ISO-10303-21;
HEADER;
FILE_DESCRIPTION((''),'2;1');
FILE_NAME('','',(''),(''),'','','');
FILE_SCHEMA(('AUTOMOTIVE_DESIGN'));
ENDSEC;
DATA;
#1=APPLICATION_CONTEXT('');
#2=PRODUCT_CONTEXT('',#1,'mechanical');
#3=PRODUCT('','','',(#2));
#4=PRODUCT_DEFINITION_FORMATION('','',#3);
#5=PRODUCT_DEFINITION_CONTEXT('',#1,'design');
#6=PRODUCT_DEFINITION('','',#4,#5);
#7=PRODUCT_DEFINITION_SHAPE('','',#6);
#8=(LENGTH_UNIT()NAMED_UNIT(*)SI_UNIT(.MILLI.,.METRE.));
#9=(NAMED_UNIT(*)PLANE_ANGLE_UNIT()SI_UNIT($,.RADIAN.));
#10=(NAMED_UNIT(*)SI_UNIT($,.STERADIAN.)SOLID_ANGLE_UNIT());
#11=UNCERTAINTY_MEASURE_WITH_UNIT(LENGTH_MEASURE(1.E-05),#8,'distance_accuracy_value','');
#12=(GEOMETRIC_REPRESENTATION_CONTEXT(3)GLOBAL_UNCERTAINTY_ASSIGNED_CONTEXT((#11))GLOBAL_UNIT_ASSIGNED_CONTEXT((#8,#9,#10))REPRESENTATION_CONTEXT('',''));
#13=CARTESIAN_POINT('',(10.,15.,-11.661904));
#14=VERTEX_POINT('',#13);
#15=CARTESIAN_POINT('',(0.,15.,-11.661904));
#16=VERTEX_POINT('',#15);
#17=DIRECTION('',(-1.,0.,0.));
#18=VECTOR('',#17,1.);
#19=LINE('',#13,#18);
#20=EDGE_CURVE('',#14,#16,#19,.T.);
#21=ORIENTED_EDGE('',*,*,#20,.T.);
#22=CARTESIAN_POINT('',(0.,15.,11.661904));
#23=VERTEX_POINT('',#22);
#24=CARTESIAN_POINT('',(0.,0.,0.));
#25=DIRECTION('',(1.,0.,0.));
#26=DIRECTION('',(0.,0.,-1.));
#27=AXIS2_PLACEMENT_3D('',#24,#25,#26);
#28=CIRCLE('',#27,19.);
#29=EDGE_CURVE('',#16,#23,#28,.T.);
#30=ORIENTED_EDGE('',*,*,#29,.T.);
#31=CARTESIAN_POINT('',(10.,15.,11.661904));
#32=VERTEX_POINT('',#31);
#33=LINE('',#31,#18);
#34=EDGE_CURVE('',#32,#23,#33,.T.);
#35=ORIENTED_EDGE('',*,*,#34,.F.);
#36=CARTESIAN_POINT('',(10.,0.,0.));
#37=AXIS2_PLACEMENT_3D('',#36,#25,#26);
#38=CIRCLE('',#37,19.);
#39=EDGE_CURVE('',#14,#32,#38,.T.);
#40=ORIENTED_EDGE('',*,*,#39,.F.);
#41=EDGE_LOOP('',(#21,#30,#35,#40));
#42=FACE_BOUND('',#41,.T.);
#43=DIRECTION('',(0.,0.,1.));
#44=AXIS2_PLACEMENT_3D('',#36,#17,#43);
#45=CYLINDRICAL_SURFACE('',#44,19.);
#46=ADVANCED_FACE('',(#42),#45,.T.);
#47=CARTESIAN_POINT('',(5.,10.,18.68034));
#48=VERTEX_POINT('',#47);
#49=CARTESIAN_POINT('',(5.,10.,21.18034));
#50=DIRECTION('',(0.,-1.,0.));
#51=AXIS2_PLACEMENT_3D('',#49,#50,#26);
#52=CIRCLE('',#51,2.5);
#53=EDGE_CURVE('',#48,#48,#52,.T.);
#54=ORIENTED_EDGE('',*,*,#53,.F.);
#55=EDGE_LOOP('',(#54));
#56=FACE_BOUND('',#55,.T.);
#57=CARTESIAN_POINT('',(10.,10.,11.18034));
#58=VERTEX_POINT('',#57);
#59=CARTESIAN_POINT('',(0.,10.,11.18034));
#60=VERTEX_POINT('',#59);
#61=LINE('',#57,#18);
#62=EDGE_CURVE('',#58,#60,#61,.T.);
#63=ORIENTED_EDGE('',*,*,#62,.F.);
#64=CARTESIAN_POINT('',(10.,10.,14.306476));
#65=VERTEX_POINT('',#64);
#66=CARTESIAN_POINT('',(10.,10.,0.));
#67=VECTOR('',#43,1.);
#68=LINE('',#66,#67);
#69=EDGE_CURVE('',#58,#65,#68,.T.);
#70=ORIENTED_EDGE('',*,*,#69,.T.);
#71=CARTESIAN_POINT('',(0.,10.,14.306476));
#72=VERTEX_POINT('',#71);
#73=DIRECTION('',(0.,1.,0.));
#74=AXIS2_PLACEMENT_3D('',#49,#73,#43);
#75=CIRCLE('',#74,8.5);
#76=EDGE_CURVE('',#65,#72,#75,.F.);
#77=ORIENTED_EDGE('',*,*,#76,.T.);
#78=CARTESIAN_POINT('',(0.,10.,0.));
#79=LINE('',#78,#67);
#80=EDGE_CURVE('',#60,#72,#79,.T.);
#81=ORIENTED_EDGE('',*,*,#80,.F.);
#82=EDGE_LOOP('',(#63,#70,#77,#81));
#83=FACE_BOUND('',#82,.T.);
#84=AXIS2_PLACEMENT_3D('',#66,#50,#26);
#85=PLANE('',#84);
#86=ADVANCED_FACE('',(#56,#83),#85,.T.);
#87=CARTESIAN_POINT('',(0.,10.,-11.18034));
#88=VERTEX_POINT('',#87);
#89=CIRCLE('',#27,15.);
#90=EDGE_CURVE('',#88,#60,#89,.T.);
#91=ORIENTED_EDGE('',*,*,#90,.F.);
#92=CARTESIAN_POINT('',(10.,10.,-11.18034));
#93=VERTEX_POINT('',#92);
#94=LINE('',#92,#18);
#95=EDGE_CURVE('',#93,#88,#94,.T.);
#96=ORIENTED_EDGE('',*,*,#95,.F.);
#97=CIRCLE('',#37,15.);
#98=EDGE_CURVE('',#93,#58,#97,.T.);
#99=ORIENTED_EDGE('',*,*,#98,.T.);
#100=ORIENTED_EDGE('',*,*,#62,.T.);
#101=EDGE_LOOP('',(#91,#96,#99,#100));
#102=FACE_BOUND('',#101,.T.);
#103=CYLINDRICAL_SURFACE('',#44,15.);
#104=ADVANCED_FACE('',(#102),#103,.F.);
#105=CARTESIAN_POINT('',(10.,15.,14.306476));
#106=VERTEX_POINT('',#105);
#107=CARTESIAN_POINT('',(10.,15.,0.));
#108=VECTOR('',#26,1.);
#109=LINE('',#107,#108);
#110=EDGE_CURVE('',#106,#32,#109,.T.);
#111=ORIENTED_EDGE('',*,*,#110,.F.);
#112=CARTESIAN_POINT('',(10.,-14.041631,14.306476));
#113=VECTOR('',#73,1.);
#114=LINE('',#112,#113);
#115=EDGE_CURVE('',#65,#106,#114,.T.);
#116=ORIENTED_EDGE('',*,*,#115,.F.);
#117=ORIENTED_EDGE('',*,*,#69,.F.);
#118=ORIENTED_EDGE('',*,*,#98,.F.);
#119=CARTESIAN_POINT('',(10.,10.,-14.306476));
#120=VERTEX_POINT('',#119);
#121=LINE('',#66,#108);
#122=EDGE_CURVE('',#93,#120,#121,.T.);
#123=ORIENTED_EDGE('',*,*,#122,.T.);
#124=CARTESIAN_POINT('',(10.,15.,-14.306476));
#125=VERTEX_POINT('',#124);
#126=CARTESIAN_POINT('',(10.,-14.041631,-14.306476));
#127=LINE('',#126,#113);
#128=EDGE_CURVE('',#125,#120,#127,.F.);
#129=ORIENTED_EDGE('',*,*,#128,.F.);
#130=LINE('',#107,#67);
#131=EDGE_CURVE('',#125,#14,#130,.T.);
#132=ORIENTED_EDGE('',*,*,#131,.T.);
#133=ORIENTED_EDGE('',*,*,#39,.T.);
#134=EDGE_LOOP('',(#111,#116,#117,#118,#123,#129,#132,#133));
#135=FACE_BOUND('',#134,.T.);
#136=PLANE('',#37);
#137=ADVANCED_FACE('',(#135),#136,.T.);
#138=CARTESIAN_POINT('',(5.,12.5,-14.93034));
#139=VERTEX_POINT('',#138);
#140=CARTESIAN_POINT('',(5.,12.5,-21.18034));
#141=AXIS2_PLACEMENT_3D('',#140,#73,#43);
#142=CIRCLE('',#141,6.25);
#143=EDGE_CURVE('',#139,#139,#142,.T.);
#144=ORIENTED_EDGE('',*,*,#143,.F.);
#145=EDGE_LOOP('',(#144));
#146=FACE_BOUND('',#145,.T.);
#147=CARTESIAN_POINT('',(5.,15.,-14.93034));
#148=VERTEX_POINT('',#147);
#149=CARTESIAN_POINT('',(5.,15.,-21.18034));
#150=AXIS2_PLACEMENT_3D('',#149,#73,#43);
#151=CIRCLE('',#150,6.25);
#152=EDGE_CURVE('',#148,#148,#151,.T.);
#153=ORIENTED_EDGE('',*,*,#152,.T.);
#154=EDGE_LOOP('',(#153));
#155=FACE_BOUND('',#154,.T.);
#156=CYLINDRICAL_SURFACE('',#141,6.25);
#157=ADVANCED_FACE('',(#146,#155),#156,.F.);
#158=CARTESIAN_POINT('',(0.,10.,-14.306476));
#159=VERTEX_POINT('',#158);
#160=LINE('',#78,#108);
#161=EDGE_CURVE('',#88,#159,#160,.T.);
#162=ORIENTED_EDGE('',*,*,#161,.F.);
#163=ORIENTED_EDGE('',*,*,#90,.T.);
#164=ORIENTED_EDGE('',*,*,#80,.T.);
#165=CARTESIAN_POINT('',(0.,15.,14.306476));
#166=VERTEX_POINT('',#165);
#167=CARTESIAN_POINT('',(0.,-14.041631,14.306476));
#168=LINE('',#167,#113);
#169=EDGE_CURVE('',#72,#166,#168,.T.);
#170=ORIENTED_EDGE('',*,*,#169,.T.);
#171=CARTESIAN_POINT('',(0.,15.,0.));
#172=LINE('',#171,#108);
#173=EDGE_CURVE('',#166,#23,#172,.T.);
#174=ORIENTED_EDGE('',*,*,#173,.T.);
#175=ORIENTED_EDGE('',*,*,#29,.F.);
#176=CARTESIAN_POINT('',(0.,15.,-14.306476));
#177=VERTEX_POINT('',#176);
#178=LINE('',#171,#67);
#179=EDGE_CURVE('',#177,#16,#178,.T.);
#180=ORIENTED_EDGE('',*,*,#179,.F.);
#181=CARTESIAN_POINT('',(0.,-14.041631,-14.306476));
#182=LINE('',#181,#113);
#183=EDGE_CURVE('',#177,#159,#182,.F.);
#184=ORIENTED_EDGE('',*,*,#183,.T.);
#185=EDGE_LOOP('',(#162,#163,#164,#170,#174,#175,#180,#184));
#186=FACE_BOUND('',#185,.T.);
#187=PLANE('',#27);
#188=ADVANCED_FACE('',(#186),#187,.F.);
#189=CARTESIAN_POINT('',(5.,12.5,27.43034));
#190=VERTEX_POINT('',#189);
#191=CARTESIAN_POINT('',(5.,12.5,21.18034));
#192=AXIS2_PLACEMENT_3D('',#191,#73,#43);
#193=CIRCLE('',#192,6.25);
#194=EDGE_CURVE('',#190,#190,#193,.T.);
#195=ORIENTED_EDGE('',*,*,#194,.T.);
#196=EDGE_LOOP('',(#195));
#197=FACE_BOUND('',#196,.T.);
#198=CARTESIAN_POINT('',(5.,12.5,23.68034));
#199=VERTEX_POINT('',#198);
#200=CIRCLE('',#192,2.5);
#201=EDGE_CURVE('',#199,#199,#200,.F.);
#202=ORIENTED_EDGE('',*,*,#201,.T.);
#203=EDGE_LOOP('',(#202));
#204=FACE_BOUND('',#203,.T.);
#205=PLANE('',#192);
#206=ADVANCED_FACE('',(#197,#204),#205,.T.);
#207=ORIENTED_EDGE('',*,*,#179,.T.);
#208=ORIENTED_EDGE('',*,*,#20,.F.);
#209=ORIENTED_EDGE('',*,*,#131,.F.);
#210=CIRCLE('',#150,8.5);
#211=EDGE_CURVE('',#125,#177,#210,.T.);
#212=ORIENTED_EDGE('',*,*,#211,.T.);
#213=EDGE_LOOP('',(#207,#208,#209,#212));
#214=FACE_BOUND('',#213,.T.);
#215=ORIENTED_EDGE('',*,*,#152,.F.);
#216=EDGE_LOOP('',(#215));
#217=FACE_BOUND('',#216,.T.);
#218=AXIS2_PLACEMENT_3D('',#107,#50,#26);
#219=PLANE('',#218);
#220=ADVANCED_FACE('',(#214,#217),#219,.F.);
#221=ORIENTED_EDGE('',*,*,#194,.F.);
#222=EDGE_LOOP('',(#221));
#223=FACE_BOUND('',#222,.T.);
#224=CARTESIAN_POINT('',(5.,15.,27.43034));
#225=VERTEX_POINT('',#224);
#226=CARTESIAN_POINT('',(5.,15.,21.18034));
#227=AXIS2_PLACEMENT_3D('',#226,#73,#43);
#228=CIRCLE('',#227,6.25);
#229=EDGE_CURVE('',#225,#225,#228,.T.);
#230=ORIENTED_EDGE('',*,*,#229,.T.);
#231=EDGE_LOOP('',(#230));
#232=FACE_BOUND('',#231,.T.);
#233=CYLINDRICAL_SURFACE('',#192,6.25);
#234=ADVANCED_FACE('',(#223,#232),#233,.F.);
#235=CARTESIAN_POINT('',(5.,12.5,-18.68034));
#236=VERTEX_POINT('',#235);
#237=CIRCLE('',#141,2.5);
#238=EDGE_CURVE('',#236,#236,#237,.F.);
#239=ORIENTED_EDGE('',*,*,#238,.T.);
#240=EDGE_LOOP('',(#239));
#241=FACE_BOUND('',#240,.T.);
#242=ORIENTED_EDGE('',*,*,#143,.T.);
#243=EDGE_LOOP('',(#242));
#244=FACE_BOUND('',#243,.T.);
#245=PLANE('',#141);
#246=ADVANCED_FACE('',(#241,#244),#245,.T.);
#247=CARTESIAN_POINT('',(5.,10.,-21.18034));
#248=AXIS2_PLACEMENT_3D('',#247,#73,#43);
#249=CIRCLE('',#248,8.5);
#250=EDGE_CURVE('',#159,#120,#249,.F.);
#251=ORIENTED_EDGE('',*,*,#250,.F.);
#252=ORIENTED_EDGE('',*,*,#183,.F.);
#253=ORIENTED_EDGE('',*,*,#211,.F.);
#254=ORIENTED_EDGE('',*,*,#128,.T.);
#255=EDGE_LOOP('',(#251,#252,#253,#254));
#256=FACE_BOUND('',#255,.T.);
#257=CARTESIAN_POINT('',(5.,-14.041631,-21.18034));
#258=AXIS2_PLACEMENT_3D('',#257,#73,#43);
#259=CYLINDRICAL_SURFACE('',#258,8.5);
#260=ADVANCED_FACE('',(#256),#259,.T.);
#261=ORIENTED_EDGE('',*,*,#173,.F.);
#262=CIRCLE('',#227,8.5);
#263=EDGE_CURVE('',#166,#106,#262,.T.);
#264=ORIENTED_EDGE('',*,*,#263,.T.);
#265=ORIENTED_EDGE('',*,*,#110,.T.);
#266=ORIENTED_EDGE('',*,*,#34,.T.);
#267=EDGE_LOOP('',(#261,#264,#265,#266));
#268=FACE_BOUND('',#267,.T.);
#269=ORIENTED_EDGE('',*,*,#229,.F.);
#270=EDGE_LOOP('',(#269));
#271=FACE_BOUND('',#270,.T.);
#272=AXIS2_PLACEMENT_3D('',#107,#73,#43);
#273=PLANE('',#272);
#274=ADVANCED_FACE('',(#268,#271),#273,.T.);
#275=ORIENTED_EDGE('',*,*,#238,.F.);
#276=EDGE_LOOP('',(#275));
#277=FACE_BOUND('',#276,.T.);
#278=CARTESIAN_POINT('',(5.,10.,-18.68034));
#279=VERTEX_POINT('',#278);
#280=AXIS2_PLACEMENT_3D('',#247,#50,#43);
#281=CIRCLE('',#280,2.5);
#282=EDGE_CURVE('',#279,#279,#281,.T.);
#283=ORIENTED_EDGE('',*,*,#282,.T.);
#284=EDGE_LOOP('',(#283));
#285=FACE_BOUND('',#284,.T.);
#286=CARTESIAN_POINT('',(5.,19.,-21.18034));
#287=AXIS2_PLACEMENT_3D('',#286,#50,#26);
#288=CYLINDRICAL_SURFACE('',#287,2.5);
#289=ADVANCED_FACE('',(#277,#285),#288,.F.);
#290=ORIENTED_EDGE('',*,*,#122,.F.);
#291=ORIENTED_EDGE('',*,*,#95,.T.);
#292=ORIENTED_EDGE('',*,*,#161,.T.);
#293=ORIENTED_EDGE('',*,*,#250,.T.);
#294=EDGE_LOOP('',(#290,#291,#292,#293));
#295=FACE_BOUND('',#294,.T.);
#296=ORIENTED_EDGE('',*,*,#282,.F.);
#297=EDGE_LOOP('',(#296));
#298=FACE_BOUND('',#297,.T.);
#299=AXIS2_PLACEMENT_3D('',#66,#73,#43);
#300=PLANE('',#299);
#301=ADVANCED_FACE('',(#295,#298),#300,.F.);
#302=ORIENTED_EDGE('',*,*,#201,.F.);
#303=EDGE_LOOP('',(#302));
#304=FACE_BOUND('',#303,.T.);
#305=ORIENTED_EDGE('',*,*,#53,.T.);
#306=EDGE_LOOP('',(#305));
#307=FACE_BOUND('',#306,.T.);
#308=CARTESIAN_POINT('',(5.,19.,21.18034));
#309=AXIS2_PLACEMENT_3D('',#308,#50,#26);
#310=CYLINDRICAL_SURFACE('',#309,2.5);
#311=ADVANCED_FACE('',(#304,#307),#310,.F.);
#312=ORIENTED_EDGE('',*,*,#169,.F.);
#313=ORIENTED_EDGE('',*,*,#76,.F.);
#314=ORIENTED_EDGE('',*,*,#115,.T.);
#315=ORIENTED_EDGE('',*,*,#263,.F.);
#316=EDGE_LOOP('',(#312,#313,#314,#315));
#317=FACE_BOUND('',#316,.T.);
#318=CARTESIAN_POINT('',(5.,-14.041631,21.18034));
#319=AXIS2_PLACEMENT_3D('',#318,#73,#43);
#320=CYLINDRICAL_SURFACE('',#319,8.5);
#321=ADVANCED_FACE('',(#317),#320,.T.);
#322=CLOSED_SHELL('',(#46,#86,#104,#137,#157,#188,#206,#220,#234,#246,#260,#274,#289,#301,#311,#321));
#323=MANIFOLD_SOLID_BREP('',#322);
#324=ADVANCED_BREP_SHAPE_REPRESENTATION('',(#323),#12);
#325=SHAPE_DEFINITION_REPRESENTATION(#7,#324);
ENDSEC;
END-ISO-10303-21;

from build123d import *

# Parameters (mm, degrees)
BASE_DEPTH           = 10
ESQUISSE5_R          = 2.5
VIDE_ACCES_VIS_DEPTH = 30.434846638
BOSS_START           = -5
ESQUISSE6_R          = 8.5
ESQUISSE6_R_2        = 2.5
BOSS_VIS_DEPTH       = 5
ESQUISSE7_R          = 6.25
VIDE_ECROU_DEPTH     = 2.5


with BuildPart() as part:
    # Esquisse2 → BASE (new body)
    with BuildSketch(Plane(origin=(0, 0, 0), x_dir=(0, 0, -1), z_dir=(1, 0, 0))):
        with BuildLine():
            Line((-26.180339887, 10), (-16.717843024, 10))
            Line((-16.717843024, 10), (-14.361406616, 10))
            Line((-14.361406616, 10), (-11.180339887, 10))
            ThreePointArc((-11.180339887, 10), (0, 15), (11.180339887, 10))
            Line((11.180339887, 10), (14.361406616, 10))
            Line((14.361406616, 10), (20.155156542, 10))
            Line((20.155156542, 10), (21.180339887, 10))
            Line((21.180339887, 10), (26.180339887, 10))
            Line((26.180339887, 10), (26.180339887, 15))
            Line((26.180339887, 15), (11.66190379, 15))
            ThreePointArc((11.66190379, 15), (0, 19), (-11.66190379, 15))
            Line((-11.66190379, 15), (-26.180339887, 15))
            Line((-26.180339887, 15), (-26.180339887, 10))
        make_face()
    extrude(amount=BASE_DEPTH)

    # Esquisse5 → VIDE ACCES VIS (cut, through all)
    with BuildSketch(Plane.XZ.offset(-10)):
        with Locations(Location((5, 21.180339887, 0), (0, 0, 270))):
            Circle(ESQUISSE5_R)
        with Locations(Location((5, -21.180339887, 0), (0, 0, 270))):
            Circle(ESQUISSE5_R)
    extrude(amount=-VIDE_ACCES_VIS_DEPTH, mode=Mode.SUBTRACT)

    # Esquisse6 → BOSS VIS (add)
    # profile 1 of 2: a face of its own
    with BuildSketch(Plane(origin=(0, 15, 0), x_dir=(1, 0, 0), z_dir=(0, 1, 0)).offset(BOSS_START)):
        with Locations((5, -21.180339887)):
            Circle(ESQUISSE6_R)
        with Locations(Location((5, -21.180339887, 0), (0, 0, 90))):
            Circle(ESQUISSE6_R_2, mode=Mode.SUBTRACT)
    # profile 2 of 2: a face of its own
    with BuildSketch(Plane(origin=(0, 15, 0), x_dir=(1, 0, 0), z_dir=(0, 1, 0)).offset(BOSS_START)):
        with Locations((5, 21.180339887)):
            Circle(ESQUISSE6_R)
        with Locations(Location((5, 21.180339887, 0), (0, 0, 90))):
            Circle(ESQUISSE6_R_2, mode=Mode.SUBTRACT)
    extrude(amount=BOSS_VIS_DEPTH)

    # Esquisse7 → VIDE ECROU (cut)
    with BuildSketch(Plane(origin=(0, 15, 0), x_dir=(1, 0, 0), z_dir=(0, 1, 0))):
        with Locations(Location((5, 21.180339887, 0), (0, 0, 270))):
            Circle(ESQUISSE7_R)
        with Locations(Location((5, -21.180339887, 0), (0, 0, 270))):
            Circle(ESQUISSE7_R)
    extrude(amount=-VIDE_ECROU_DEPTH, mode=Mode.SUBTRACT)


solid = part.part
